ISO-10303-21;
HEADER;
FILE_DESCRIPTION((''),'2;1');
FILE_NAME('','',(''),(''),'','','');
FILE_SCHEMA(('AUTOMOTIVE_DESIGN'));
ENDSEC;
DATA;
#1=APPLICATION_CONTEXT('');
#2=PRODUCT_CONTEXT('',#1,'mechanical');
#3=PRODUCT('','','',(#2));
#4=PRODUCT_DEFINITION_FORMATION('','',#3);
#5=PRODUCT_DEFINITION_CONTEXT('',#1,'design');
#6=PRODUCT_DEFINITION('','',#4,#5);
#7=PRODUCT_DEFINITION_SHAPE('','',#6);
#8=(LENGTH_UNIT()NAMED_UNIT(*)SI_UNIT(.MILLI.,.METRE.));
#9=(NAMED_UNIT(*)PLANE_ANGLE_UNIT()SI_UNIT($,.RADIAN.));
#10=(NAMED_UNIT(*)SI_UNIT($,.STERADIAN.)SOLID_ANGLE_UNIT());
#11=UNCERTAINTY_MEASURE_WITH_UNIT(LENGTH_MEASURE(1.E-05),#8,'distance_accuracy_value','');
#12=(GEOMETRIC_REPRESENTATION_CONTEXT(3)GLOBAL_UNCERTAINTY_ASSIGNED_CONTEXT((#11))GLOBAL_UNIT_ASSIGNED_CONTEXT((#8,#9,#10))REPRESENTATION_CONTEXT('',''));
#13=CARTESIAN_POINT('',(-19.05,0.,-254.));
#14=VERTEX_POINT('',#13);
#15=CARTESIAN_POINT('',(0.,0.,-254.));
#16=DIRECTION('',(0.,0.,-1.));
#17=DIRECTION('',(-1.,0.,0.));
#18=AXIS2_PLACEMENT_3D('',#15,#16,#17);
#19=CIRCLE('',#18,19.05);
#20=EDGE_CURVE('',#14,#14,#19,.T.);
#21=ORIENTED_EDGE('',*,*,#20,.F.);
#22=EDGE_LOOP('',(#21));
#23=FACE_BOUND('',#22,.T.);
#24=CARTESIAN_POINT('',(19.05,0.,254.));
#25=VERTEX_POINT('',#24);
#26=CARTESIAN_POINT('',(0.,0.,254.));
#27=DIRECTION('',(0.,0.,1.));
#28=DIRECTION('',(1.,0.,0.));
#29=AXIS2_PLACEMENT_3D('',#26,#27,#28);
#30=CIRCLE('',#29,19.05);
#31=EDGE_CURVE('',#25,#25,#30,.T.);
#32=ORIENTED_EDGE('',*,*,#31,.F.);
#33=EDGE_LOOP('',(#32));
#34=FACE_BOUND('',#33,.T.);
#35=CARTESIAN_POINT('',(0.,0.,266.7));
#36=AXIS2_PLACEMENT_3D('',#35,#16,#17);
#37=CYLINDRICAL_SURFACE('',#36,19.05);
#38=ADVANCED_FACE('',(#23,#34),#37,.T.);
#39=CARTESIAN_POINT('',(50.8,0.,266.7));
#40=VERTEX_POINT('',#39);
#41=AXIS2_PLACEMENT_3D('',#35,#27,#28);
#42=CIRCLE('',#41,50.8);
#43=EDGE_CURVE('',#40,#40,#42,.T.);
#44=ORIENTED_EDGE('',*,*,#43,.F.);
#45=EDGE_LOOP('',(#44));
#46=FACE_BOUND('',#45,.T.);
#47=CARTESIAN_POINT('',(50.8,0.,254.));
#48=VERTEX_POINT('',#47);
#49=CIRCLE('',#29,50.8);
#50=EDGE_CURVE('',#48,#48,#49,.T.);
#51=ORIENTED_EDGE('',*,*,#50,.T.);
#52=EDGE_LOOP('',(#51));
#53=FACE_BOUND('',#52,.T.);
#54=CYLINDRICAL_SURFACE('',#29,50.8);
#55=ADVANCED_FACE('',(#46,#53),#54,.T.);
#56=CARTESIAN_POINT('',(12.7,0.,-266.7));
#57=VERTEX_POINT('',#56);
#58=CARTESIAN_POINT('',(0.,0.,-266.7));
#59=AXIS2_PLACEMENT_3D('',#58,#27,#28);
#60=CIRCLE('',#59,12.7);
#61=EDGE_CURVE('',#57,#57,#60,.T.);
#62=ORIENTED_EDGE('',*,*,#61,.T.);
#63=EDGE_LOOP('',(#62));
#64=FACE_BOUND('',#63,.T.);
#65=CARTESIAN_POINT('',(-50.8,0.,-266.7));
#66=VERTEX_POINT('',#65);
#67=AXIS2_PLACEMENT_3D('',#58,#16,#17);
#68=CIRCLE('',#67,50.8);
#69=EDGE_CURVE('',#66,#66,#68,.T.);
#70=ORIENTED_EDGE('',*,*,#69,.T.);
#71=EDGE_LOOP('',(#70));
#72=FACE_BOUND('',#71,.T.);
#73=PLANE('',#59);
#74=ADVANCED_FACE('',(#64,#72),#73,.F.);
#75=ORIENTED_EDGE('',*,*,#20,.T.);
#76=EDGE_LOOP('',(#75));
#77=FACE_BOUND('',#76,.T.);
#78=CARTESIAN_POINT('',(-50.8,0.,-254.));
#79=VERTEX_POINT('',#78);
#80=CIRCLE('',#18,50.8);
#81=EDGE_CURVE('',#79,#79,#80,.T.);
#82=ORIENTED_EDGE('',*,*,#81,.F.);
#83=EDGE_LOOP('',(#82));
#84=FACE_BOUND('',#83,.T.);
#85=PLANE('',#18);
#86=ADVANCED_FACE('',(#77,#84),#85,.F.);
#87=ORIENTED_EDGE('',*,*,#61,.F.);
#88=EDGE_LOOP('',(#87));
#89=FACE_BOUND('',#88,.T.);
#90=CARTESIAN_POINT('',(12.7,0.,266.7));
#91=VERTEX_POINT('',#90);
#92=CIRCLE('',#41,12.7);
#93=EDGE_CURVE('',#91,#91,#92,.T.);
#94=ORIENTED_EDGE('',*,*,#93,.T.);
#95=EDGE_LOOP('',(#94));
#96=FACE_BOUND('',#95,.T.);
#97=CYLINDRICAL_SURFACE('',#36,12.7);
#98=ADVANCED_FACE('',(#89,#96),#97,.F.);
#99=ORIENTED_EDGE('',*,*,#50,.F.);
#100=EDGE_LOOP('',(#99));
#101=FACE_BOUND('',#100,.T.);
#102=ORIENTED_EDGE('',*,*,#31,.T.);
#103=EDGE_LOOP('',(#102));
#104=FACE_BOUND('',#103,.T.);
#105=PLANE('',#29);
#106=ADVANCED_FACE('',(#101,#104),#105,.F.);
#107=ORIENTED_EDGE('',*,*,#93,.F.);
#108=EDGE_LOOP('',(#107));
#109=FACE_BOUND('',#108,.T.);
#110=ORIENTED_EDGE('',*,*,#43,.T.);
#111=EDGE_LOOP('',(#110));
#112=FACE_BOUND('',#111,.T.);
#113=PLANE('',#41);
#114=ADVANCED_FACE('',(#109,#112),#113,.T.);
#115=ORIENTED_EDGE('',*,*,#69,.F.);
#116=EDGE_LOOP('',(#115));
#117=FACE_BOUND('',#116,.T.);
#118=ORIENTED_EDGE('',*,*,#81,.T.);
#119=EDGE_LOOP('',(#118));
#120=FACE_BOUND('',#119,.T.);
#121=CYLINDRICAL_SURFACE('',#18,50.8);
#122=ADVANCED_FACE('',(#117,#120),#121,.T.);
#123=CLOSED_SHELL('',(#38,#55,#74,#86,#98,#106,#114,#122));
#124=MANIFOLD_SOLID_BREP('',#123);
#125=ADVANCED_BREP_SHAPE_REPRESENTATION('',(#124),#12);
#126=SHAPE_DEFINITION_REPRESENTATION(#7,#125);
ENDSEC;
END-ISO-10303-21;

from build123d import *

# Parameters (mm, degrees)
SKETCH1_R           = 19.05
SKETCH1_R_2         = 12.7
BOSS_EXTRUDE1_DEPTH = 266.7
BOSS_EXTRUDE2_START = -12.7
SKETCH2_R           = 50.8
SKETCH2_R_2         = 12.7
BOSS_EXTRUDE2_DEPTH = 12.7
SKETCH3_R           = 50.8
SKETCH3_R_2         = 12.7
BOSS_EXTRUDE3_DEPTH = 12.7


with BuildPart() as part:
    # Sketch1 → Boss-Extrude1 (new, symmetric)
    with BuildSketch(Plane.XY):
        Circle(SKETCH1_R)
        Circle(SKETCH1_R_2, mode=Mode.SUBTRACT)
    extrude(amount=BOSS_EXTRUDE1_DEPTH, both=True)

    # Sketch2 → Boss-Extrude2 (add)
    with BuildSketch(Plane.XY.offset(266.7).offset(BOSS_EXTRUDE2_START)):
        Circle(SKETCH2_R)
        Circle(SKETCH2_R_2, mode=Mode.SUBTRACT)
    extrude(amount=BOSS_EXTRUDE2_DEPTH)

    # Sketch3 → Boss-Extrude3 (add)
    with BuildSketch(Plane(origin=(0, 0, -266.7), x_dir=(-1, 0, 0), z_dir=(0, 0, -1))):
        with Locations(Location((0, 0, 0), (0, 0, 180))):
            Circle(SKETCH3_R)
        with Locations(Location((0, 0, 0), (0, 0, 180))):
            Circle(SKETCH3_R_2, mode=Mode.SUBTRACT)
    extrude(amount=-BOSS_EXTRUDE3_DEPTH)


solid = part.part
